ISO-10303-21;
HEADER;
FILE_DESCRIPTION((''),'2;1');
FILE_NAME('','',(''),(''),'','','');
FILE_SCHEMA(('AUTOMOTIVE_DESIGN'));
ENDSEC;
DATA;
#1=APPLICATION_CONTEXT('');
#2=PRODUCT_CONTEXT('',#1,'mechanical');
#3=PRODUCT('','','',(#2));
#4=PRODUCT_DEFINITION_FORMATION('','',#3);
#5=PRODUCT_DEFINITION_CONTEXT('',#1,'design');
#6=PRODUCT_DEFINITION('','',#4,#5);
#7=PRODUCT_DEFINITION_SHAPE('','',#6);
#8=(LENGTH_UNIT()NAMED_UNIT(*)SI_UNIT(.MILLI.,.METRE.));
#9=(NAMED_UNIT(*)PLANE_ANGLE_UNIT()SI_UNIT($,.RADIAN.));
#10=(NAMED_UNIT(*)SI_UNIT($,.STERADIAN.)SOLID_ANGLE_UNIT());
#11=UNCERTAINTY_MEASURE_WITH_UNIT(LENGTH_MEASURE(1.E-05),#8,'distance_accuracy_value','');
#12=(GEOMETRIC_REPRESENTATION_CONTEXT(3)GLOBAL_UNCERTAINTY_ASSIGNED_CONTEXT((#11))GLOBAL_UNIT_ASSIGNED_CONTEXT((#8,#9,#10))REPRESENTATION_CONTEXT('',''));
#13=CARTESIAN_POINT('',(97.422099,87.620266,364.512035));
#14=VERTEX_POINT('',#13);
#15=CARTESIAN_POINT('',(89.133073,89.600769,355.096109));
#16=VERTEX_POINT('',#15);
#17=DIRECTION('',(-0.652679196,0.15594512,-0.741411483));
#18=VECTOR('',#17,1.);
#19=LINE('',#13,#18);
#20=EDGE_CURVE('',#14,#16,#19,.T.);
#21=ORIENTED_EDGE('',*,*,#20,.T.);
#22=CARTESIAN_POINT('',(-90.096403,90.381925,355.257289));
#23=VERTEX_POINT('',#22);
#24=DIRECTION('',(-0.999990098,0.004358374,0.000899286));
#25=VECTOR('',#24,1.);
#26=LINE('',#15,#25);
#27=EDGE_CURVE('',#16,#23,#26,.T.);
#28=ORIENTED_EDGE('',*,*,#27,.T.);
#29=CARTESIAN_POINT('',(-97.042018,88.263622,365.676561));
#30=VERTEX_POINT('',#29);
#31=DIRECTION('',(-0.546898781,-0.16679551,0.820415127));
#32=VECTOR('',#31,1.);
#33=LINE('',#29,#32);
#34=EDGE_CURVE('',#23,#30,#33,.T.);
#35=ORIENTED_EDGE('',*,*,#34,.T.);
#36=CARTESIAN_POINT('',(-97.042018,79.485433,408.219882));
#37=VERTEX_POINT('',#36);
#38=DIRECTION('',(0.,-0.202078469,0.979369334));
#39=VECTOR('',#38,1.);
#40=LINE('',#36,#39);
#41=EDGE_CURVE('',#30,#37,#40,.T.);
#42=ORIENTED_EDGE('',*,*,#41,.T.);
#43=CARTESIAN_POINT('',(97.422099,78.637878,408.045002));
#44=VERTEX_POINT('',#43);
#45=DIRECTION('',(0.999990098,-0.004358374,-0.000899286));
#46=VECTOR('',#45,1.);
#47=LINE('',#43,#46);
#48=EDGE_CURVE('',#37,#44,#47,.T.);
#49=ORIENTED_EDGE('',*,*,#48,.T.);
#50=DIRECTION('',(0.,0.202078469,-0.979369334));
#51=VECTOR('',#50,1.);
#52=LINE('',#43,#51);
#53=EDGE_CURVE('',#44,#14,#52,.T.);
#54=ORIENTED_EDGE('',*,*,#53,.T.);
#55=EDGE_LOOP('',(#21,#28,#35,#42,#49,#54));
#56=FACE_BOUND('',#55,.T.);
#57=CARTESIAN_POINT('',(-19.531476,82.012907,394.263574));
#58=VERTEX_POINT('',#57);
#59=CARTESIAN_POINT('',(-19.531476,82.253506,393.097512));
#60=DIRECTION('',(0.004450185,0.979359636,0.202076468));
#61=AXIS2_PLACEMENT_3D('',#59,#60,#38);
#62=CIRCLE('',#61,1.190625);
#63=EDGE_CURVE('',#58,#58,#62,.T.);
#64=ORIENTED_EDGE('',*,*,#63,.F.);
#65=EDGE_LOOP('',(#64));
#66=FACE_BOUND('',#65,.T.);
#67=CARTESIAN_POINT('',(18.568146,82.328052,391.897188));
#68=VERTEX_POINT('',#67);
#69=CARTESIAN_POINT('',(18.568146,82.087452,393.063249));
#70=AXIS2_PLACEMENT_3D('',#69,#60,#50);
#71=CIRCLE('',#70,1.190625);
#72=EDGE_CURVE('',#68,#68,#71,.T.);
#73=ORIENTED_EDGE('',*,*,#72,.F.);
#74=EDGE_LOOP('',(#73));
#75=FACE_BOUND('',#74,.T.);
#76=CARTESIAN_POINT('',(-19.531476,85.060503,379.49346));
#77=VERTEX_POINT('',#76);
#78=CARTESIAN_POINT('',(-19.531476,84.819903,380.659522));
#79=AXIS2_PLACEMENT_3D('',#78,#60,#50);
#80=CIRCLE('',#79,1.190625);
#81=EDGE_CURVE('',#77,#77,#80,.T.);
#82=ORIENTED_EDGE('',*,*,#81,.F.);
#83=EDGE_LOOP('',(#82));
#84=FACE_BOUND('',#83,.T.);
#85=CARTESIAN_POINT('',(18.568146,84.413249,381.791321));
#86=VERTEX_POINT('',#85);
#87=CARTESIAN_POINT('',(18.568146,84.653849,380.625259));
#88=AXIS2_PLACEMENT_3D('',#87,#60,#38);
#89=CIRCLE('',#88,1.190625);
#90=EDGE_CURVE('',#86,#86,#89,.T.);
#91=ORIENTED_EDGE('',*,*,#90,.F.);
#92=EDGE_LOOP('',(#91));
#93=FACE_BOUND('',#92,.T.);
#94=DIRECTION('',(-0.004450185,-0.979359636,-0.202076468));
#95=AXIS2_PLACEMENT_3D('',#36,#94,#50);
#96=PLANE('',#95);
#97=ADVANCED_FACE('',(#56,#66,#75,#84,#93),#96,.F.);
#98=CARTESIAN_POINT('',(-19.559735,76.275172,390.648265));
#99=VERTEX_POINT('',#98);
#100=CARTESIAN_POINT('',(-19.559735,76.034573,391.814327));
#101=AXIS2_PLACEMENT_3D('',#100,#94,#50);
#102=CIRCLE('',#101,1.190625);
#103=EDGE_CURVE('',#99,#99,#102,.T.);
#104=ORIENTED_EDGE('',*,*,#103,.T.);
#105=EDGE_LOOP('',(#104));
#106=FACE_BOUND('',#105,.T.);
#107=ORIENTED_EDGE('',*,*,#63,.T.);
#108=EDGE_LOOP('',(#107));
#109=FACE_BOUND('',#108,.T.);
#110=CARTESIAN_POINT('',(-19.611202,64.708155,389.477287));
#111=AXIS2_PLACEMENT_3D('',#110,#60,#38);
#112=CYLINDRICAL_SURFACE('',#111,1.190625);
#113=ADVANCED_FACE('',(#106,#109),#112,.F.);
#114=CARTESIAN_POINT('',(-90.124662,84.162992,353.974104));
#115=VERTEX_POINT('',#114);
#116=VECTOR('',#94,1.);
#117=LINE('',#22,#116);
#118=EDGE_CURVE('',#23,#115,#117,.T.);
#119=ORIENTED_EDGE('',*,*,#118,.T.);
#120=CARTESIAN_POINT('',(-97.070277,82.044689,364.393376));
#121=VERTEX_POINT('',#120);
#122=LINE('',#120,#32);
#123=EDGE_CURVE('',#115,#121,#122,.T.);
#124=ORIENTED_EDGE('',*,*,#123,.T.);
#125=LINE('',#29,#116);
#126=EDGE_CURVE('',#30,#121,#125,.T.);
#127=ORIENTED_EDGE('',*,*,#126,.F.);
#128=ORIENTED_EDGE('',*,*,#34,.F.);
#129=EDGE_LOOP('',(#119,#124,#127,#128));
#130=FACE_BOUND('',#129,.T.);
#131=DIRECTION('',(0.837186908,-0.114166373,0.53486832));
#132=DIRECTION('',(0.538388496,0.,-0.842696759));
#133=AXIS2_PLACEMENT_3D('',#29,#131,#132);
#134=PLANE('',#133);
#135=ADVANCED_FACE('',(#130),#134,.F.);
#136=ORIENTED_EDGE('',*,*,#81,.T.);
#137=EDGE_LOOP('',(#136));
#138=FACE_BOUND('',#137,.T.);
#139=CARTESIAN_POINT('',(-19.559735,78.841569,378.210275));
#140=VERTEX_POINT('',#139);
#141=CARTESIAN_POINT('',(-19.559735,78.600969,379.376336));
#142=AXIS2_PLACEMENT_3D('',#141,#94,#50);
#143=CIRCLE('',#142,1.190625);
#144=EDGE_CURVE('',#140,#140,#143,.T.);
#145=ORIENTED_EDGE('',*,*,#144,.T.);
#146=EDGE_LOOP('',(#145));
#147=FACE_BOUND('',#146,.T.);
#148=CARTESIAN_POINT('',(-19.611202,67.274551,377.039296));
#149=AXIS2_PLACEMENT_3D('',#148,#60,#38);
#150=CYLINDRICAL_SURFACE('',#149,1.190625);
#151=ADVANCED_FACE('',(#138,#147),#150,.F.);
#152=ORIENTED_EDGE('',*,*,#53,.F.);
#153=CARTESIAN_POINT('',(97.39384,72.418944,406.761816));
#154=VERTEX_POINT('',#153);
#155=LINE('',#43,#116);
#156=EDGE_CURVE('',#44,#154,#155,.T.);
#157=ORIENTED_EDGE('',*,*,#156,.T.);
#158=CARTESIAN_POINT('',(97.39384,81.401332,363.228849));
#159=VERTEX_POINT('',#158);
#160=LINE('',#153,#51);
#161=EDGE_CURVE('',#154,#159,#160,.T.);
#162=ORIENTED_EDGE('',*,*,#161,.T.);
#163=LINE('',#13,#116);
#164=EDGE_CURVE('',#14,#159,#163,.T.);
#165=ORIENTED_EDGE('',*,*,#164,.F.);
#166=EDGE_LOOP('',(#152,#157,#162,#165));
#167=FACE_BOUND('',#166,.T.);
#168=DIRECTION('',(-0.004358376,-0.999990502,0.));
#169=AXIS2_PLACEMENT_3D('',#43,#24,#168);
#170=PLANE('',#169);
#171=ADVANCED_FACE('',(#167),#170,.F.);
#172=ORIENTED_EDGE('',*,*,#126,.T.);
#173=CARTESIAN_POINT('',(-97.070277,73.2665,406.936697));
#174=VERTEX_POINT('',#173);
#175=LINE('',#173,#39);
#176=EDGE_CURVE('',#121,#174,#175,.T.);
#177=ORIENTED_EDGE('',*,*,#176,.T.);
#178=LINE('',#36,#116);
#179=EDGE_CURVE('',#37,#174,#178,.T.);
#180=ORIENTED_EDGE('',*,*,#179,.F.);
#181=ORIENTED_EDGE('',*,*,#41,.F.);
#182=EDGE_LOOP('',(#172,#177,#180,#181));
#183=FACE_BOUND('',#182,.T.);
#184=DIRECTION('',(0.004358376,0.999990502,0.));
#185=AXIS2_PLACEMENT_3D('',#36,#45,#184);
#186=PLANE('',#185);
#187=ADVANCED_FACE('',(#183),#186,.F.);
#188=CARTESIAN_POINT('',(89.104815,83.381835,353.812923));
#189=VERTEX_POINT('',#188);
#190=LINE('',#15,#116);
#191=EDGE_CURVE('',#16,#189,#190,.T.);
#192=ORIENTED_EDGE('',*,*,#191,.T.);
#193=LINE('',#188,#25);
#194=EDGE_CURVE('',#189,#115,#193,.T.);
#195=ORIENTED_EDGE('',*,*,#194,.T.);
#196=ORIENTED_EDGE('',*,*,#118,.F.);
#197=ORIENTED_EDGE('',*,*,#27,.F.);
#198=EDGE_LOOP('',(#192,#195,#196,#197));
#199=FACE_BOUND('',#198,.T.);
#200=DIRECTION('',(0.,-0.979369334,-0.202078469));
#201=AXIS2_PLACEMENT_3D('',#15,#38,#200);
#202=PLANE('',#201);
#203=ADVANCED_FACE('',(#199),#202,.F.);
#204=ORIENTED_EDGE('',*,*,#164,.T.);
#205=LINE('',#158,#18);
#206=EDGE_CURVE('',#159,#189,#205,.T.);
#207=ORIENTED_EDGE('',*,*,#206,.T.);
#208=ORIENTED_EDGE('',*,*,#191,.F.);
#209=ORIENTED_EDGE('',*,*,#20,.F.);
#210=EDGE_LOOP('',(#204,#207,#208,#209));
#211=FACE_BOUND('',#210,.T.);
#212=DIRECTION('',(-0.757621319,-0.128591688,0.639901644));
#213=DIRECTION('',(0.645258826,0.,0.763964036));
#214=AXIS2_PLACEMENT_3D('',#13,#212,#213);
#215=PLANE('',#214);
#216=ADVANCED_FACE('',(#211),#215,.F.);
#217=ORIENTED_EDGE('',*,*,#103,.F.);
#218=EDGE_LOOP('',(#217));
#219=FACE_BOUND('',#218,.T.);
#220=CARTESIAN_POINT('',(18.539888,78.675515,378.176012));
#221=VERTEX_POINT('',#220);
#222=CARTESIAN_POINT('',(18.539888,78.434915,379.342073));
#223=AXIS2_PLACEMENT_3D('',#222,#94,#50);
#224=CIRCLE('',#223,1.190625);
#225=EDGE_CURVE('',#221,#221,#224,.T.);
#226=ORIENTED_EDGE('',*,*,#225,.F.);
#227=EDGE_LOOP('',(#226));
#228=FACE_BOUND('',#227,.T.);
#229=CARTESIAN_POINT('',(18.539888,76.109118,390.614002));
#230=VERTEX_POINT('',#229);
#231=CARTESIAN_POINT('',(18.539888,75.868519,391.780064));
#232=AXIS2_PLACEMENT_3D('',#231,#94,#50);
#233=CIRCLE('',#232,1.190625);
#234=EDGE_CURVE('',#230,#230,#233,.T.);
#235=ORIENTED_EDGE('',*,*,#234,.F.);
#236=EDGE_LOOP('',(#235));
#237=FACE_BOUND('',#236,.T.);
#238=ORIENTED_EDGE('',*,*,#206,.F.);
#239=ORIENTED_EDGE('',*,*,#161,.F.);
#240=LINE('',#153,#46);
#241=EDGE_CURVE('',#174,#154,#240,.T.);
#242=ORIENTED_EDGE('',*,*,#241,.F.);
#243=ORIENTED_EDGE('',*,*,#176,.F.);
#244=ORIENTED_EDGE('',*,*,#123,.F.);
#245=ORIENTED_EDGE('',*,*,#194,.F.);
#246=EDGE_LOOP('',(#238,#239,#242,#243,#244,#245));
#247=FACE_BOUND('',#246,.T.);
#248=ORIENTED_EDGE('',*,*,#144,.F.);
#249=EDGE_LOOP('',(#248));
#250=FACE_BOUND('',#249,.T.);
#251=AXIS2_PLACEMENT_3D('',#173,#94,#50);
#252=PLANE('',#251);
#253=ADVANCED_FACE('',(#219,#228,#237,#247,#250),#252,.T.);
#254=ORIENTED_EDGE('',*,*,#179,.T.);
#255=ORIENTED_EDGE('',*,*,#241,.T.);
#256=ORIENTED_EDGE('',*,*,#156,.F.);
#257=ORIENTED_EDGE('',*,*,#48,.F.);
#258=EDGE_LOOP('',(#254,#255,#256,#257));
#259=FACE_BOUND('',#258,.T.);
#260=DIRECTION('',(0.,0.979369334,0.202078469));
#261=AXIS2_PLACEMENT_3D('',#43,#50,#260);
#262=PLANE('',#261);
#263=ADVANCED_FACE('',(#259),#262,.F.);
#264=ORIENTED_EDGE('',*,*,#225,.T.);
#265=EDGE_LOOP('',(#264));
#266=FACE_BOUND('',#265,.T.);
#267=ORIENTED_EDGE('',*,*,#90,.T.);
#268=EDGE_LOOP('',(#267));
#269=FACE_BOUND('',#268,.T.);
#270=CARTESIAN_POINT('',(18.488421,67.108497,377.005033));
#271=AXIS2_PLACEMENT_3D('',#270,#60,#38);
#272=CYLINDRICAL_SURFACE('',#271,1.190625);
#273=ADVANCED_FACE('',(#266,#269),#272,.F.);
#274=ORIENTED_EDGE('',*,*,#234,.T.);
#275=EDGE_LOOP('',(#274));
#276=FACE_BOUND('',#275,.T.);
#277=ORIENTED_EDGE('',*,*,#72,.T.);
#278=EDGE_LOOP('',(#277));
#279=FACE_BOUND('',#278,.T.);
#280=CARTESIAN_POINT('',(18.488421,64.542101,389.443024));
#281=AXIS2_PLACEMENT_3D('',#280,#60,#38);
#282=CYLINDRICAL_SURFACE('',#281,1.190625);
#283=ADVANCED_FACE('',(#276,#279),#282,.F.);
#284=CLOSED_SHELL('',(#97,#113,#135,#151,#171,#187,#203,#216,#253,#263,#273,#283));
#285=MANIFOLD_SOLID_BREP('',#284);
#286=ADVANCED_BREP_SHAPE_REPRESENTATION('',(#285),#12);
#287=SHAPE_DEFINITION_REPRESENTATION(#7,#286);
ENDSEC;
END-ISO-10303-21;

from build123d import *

# Parameters (mm, degrees)
BOSS_EXTRUDE1_DEPTH = 6.35
SKETCH4_R           = 1.190625
CUT_EXTRUDE2_DEPTH  = 398.434844364


with BuildPart() as part:
    # Sketch2 → Boss-Extrude1 (new body)
    with BuildSketch(Plane(origin=(0.683346332, 150.385179261, 31.029771586), x_dir=(-0.9999900978792948, 0.004358374370466655, 0.0008992864979534574), z_dir=(0.004450184643196504, 0.979359636230067, 0.20207646765507412))):
        Polygon((-88.422343932, 329.663853712), (90.808907549, 329.663853712), (97.754590844, 340.296232729), (97.754590844, 383.735739743), (-96.711451797, 383.735739743), (-96.711451797, 339.285739743), align=None)
    extrude(amount=BOSS_EXTRUDE1_DEPTH)

    # Sketch4 → Cut-Extrude2 (cut, through all)
    with BuildSketch(Plane(origin=(0.711605005, 156.604112951, 32.312957155), x_dir=(0.9999900978792948, -0.0043583743704666555, -0.0008992864979534572), z_dir=(0.004450184643196505, 0.9793596362300672, 0.2020764676550741))):
        with Locations((17.856718191, -355.665986236)):
            Circle(SKETCH4_R)
        with Locations((17.856718191, -368.365986236)):
            Circle(SKETCH4_R)
        with Locations((-20.243281809, -368.365986236)):
            Circle(SKETCH4_R)
        with Locations((-20.243281809, -355.665986236)):
            Circle(SKETCH4_R)
    extrude(amount=-CUT_EXTRUDE2_DEPTH, mode=Mode.SUBTRACT)


solid = part.part
